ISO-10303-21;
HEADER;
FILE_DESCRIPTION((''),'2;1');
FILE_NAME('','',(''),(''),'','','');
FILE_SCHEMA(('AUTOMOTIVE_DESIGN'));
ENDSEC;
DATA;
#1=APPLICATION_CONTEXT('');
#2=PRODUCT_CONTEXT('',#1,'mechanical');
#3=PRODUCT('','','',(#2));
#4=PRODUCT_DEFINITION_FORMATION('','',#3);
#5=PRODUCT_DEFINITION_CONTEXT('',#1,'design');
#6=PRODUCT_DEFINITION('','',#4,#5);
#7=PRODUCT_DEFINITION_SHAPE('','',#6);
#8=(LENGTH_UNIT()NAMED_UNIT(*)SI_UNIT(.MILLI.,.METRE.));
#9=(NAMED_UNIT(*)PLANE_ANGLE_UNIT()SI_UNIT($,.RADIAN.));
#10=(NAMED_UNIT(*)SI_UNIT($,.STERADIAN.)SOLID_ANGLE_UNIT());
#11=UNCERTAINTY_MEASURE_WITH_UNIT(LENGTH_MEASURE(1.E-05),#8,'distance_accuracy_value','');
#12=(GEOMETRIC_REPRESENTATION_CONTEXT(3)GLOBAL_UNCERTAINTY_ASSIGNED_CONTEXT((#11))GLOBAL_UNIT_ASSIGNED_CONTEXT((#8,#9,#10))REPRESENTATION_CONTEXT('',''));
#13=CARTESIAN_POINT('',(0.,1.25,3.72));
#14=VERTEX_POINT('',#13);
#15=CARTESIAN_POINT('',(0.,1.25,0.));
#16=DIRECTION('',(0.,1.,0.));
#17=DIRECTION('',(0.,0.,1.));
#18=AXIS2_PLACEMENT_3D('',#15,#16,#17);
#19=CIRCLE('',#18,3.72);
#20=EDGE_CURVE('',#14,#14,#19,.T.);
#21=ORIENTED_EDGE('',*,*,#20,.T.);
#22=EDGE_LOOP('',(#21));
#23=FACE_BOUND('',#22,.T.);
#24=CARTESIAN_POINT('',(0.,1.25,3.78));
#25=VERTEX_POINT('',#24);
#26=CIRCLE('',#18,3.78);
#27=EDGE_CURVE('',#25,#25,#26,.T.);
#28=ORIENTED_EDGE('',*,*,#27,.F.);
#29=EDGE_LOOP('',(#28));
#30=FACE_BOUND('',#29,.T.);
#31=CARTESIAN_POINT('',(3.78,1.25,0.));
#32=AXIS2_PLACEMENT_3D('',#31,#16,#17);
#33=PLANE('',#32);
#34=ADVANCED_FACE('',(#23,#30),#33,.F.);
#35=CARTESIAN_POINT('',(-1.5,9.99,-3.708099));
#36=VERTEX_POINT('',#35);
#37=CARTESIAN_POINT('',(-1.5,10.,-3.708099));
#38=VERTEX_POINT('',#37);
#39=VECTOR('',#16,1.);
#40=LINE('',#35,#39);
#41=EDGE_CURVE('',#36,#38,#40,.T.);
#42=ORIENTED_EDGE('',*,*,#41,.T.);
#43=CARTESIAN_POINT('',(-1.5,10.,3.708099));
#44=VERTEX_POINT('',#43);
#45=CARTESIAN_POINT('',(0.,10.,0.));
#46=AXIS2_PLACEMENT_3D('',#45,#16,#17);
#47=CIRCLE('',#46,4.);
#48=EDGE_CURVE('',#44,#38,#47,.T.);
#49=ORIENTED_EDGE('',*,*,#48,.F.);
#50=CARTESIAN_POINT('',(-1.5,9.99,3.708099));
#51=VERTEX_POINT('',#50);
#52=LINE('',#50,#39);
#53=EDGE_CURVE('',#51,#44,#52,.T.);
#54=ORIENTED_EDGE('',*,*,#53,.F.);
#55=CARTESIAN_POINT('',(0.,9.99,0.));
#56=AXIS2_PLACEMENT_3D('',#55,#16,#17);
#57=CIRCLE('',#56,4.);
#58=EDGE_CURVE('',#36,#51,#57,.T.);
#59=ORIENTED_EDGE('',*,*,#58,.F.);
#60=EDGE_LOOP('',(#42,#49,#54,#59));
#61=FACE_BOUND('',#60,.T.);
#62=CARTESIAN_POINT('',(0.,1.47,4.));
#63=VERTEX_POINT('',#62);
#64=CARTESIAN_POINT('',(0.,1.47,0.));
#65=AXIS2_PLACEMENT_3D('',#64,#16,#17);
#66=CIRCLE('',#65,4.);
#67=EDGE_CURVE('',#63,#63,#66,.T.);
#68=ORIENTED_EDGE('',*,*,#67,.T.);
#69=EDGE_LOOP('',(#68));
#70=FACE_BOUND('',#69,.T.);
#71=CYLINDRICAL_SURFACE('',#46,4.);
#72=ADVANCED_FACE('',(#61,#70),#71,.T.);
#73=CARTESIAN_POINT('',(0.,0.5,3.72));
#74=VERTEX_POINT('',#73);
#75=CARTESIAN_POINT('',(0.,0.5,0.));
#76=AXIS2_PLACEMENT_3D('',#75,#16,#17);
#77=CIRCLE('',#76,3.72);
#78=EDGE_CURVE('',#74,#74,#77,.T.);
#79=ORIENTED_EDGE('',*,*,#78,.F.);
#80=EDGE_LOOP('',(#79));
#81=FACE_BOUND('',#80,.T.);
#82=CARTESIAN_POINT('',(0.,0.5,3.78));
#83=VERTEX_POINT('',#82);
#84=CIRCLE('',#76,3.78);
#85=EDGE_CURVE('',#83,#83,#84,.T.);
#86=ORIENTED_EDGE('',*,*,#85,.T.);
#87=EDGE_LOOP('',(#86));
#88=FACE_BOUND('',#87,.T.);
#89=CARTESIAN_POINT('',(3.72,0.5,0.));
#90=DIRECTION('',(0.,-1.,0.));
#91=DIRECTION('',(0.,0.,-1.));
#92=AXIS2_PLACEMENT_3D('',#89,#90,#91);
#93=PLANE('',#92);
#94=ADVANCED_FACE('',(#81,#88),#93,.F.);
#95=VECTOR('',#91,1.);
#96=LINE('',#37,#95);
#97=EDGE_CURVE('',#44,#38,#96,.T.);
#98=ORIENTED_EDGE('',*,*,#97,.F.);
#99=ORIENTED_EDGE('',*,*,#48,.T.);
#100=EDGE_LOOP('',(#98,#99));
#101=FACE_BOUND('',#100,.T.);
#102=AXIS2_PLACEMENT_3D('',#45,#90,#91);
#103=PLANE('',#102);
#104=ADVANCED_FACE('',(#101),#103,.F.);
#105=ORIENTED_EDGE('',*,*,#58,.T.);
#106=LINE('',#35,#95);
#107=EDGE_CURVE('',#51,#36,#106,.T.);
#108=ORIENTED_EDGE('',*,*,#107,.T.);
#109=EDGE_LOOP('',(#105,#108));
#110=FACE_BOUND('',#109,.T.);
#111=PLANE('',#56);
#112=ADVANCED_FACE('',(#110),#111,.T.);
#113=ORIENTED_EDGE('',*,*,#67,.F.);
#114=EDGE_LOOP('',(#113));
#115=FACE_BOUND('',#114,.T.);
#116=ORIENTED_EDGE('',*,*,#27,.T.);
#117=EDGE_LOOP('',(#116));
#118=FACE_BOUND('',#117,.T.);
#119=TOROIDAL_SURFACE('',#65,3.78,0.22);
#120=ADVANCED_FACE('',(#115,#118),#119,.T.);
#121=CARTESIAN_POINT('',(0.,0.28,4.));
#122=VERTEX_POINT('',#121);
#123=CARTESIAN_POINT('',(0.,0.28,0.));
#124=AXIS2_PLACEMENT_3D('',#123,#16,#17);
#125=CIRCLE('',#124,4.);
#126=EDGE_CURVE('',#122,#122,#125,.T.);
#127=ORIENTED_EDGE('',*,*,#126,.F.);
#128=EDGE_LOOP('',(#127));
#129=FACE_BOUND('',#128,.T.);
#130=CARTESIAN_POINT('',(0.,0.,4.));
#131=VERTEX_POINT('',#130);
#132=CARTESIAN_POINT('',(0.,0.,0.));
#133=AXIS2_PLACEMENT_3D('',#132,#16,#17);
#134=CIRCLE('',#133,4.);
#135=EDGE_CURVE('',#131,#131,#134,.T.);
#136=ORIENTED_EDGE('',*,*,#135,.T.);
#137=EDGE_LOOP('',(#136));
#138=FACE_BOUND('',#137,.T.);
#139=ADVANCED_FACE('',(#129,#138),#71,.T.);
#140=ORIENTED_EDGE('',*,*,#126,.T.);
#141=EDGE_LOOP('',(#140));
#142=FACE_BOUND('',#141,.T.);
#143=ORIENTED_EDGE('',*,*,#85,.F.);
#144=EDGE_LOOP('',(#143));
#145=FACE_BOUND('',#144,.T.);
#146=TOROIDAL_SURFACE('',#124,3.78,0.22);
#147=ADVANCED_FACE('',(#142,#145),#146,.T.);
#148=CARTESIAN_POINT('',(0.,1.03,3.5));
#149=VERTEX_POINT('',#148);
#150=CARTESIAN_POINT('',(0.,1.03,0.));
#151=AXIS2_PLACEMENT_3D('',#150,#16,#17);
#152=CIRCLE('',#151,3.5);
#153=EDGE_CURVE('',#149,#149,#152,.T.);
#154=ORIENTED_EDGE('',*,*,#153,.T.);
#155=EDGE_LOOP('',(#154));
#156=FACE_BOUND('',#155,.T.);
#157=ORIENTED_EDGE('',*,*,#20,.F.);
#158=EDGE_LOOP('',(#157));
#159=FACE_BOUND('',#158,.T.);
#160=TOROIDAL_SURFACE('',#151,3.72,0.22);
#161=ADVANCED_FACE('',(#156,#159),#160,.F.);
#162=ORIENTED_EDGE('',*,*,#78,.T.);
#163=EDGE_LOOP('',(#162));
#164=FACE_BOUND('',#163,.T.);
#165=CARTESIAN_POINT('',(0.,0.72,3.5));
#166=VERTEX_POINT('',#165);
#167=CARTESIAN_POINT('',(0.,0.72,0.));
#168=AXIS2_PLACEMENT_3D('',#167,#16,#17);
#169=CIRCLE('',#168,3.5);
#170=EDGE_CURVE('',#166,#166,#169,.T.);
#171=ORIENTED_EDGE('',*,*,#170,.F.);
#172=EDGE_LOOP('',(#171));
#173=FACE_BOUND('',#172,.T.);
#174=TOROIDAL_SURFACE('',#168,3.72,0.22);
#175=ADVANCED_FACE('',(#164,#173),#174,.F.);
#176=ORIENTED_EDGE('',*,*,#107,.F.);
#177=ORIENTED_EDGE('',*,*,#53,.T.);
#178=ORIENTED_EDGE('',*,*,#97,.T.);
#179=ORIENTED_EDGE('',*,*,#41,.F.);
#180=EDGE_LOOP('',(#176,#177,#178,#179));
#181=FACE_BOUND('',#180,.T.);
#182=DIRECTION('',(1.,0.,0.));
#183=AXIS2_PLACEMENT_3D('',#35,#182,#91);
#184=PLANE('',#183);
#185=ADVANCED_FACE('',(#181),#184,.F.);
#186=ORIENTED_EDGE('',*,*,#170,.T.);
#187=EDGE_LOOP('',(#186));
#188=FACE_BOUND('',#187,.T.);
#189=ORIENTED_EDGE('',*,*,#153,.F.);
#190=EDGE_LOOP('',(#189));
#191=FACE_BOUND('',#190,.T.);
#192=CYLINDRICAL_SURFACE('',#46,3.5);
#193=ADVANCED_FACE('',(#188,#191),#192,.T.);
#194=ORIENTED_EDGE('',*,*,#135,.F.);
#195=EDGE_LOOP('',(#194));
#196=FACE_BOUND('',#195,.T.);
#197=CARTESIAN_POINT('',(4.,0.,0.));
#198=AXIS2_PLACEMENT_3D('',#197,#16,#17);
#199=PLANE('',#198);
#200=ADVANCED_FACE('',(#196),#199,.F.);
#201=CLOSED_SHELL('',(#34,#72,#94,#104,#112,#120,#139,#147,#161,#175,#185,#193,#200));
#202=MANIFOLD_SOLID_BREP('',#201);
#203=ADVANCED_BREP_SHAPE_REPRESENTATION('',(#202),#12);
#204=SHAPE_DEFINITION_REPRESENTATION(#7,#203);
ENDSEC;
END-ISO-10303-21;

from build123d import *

# Parameters (mm, degrees)
CUT_EXTRUDE1_START = -0.01
CUT_EXTRUDE1_DEPTH = 0.01


with BuildPart() as part:
    # Sketch1 → Revolve1 (revolve)
    with BuildSketch(Plane.XY, mode=Mode.PRIVATE) as revolve1_sk:
        with BuildLine():
            Line((0, 0), (0, 10))
            Line((0, 10), (4, 10))
            Line((4, 10), (4, 1.47))
            ThreePointArc((4, 1.47), (3.935563492, 1.314436508), (3.78, 1.25))
            Line((3.78, 1.25), (3.72, 1.25))
            ThreePointArc((3.72, 1.25), (3.564436508, 1.185563492), (3.5, 1.03))
            Line((3.5, 1.03), (3.5, 0.72))
            ThreePointArc((3.5, 0.72), (3.564436508, 0.564436508), (3.72, 0.5))
            Line((3.72, 0.5), (3.78, 0.5))
            ThreePointArc((3.78, 0.5), (3.935563492, 0.435563492), (4, 0.28))
            Line((4, 0.28), (4, 0))
            Line((4, 0), (0, 0))
        make_face()
    revolve(revolve1_sk.sketch.rotate(Axis((0, 10, 0), (0, -1, 0)), 90), axis=Axis((0, 10, 0), (0, -1, 0)))

    # Sketch2 → Cut-Extrude1 (cut)
    with BuildSketch(Plane(origin=(0, 10, 0), x_dir=(1, 0, 0), z_dir=(0, 1, 0)).offset(CUT_EXTRUDE1_START)):
        with BuildLine():
            Line((-1.5, 3.708099244), (-1.5, -3.708099244))
            ThreePointArc((-1.5, -3.708099244), (-4, 0), (-1.5, 3.708099244))
        make_face()
    extrude(amount=CUT_EXTRUDE1_DEPTH, mode=Mode.SUBTRACT)


solid = part.part
